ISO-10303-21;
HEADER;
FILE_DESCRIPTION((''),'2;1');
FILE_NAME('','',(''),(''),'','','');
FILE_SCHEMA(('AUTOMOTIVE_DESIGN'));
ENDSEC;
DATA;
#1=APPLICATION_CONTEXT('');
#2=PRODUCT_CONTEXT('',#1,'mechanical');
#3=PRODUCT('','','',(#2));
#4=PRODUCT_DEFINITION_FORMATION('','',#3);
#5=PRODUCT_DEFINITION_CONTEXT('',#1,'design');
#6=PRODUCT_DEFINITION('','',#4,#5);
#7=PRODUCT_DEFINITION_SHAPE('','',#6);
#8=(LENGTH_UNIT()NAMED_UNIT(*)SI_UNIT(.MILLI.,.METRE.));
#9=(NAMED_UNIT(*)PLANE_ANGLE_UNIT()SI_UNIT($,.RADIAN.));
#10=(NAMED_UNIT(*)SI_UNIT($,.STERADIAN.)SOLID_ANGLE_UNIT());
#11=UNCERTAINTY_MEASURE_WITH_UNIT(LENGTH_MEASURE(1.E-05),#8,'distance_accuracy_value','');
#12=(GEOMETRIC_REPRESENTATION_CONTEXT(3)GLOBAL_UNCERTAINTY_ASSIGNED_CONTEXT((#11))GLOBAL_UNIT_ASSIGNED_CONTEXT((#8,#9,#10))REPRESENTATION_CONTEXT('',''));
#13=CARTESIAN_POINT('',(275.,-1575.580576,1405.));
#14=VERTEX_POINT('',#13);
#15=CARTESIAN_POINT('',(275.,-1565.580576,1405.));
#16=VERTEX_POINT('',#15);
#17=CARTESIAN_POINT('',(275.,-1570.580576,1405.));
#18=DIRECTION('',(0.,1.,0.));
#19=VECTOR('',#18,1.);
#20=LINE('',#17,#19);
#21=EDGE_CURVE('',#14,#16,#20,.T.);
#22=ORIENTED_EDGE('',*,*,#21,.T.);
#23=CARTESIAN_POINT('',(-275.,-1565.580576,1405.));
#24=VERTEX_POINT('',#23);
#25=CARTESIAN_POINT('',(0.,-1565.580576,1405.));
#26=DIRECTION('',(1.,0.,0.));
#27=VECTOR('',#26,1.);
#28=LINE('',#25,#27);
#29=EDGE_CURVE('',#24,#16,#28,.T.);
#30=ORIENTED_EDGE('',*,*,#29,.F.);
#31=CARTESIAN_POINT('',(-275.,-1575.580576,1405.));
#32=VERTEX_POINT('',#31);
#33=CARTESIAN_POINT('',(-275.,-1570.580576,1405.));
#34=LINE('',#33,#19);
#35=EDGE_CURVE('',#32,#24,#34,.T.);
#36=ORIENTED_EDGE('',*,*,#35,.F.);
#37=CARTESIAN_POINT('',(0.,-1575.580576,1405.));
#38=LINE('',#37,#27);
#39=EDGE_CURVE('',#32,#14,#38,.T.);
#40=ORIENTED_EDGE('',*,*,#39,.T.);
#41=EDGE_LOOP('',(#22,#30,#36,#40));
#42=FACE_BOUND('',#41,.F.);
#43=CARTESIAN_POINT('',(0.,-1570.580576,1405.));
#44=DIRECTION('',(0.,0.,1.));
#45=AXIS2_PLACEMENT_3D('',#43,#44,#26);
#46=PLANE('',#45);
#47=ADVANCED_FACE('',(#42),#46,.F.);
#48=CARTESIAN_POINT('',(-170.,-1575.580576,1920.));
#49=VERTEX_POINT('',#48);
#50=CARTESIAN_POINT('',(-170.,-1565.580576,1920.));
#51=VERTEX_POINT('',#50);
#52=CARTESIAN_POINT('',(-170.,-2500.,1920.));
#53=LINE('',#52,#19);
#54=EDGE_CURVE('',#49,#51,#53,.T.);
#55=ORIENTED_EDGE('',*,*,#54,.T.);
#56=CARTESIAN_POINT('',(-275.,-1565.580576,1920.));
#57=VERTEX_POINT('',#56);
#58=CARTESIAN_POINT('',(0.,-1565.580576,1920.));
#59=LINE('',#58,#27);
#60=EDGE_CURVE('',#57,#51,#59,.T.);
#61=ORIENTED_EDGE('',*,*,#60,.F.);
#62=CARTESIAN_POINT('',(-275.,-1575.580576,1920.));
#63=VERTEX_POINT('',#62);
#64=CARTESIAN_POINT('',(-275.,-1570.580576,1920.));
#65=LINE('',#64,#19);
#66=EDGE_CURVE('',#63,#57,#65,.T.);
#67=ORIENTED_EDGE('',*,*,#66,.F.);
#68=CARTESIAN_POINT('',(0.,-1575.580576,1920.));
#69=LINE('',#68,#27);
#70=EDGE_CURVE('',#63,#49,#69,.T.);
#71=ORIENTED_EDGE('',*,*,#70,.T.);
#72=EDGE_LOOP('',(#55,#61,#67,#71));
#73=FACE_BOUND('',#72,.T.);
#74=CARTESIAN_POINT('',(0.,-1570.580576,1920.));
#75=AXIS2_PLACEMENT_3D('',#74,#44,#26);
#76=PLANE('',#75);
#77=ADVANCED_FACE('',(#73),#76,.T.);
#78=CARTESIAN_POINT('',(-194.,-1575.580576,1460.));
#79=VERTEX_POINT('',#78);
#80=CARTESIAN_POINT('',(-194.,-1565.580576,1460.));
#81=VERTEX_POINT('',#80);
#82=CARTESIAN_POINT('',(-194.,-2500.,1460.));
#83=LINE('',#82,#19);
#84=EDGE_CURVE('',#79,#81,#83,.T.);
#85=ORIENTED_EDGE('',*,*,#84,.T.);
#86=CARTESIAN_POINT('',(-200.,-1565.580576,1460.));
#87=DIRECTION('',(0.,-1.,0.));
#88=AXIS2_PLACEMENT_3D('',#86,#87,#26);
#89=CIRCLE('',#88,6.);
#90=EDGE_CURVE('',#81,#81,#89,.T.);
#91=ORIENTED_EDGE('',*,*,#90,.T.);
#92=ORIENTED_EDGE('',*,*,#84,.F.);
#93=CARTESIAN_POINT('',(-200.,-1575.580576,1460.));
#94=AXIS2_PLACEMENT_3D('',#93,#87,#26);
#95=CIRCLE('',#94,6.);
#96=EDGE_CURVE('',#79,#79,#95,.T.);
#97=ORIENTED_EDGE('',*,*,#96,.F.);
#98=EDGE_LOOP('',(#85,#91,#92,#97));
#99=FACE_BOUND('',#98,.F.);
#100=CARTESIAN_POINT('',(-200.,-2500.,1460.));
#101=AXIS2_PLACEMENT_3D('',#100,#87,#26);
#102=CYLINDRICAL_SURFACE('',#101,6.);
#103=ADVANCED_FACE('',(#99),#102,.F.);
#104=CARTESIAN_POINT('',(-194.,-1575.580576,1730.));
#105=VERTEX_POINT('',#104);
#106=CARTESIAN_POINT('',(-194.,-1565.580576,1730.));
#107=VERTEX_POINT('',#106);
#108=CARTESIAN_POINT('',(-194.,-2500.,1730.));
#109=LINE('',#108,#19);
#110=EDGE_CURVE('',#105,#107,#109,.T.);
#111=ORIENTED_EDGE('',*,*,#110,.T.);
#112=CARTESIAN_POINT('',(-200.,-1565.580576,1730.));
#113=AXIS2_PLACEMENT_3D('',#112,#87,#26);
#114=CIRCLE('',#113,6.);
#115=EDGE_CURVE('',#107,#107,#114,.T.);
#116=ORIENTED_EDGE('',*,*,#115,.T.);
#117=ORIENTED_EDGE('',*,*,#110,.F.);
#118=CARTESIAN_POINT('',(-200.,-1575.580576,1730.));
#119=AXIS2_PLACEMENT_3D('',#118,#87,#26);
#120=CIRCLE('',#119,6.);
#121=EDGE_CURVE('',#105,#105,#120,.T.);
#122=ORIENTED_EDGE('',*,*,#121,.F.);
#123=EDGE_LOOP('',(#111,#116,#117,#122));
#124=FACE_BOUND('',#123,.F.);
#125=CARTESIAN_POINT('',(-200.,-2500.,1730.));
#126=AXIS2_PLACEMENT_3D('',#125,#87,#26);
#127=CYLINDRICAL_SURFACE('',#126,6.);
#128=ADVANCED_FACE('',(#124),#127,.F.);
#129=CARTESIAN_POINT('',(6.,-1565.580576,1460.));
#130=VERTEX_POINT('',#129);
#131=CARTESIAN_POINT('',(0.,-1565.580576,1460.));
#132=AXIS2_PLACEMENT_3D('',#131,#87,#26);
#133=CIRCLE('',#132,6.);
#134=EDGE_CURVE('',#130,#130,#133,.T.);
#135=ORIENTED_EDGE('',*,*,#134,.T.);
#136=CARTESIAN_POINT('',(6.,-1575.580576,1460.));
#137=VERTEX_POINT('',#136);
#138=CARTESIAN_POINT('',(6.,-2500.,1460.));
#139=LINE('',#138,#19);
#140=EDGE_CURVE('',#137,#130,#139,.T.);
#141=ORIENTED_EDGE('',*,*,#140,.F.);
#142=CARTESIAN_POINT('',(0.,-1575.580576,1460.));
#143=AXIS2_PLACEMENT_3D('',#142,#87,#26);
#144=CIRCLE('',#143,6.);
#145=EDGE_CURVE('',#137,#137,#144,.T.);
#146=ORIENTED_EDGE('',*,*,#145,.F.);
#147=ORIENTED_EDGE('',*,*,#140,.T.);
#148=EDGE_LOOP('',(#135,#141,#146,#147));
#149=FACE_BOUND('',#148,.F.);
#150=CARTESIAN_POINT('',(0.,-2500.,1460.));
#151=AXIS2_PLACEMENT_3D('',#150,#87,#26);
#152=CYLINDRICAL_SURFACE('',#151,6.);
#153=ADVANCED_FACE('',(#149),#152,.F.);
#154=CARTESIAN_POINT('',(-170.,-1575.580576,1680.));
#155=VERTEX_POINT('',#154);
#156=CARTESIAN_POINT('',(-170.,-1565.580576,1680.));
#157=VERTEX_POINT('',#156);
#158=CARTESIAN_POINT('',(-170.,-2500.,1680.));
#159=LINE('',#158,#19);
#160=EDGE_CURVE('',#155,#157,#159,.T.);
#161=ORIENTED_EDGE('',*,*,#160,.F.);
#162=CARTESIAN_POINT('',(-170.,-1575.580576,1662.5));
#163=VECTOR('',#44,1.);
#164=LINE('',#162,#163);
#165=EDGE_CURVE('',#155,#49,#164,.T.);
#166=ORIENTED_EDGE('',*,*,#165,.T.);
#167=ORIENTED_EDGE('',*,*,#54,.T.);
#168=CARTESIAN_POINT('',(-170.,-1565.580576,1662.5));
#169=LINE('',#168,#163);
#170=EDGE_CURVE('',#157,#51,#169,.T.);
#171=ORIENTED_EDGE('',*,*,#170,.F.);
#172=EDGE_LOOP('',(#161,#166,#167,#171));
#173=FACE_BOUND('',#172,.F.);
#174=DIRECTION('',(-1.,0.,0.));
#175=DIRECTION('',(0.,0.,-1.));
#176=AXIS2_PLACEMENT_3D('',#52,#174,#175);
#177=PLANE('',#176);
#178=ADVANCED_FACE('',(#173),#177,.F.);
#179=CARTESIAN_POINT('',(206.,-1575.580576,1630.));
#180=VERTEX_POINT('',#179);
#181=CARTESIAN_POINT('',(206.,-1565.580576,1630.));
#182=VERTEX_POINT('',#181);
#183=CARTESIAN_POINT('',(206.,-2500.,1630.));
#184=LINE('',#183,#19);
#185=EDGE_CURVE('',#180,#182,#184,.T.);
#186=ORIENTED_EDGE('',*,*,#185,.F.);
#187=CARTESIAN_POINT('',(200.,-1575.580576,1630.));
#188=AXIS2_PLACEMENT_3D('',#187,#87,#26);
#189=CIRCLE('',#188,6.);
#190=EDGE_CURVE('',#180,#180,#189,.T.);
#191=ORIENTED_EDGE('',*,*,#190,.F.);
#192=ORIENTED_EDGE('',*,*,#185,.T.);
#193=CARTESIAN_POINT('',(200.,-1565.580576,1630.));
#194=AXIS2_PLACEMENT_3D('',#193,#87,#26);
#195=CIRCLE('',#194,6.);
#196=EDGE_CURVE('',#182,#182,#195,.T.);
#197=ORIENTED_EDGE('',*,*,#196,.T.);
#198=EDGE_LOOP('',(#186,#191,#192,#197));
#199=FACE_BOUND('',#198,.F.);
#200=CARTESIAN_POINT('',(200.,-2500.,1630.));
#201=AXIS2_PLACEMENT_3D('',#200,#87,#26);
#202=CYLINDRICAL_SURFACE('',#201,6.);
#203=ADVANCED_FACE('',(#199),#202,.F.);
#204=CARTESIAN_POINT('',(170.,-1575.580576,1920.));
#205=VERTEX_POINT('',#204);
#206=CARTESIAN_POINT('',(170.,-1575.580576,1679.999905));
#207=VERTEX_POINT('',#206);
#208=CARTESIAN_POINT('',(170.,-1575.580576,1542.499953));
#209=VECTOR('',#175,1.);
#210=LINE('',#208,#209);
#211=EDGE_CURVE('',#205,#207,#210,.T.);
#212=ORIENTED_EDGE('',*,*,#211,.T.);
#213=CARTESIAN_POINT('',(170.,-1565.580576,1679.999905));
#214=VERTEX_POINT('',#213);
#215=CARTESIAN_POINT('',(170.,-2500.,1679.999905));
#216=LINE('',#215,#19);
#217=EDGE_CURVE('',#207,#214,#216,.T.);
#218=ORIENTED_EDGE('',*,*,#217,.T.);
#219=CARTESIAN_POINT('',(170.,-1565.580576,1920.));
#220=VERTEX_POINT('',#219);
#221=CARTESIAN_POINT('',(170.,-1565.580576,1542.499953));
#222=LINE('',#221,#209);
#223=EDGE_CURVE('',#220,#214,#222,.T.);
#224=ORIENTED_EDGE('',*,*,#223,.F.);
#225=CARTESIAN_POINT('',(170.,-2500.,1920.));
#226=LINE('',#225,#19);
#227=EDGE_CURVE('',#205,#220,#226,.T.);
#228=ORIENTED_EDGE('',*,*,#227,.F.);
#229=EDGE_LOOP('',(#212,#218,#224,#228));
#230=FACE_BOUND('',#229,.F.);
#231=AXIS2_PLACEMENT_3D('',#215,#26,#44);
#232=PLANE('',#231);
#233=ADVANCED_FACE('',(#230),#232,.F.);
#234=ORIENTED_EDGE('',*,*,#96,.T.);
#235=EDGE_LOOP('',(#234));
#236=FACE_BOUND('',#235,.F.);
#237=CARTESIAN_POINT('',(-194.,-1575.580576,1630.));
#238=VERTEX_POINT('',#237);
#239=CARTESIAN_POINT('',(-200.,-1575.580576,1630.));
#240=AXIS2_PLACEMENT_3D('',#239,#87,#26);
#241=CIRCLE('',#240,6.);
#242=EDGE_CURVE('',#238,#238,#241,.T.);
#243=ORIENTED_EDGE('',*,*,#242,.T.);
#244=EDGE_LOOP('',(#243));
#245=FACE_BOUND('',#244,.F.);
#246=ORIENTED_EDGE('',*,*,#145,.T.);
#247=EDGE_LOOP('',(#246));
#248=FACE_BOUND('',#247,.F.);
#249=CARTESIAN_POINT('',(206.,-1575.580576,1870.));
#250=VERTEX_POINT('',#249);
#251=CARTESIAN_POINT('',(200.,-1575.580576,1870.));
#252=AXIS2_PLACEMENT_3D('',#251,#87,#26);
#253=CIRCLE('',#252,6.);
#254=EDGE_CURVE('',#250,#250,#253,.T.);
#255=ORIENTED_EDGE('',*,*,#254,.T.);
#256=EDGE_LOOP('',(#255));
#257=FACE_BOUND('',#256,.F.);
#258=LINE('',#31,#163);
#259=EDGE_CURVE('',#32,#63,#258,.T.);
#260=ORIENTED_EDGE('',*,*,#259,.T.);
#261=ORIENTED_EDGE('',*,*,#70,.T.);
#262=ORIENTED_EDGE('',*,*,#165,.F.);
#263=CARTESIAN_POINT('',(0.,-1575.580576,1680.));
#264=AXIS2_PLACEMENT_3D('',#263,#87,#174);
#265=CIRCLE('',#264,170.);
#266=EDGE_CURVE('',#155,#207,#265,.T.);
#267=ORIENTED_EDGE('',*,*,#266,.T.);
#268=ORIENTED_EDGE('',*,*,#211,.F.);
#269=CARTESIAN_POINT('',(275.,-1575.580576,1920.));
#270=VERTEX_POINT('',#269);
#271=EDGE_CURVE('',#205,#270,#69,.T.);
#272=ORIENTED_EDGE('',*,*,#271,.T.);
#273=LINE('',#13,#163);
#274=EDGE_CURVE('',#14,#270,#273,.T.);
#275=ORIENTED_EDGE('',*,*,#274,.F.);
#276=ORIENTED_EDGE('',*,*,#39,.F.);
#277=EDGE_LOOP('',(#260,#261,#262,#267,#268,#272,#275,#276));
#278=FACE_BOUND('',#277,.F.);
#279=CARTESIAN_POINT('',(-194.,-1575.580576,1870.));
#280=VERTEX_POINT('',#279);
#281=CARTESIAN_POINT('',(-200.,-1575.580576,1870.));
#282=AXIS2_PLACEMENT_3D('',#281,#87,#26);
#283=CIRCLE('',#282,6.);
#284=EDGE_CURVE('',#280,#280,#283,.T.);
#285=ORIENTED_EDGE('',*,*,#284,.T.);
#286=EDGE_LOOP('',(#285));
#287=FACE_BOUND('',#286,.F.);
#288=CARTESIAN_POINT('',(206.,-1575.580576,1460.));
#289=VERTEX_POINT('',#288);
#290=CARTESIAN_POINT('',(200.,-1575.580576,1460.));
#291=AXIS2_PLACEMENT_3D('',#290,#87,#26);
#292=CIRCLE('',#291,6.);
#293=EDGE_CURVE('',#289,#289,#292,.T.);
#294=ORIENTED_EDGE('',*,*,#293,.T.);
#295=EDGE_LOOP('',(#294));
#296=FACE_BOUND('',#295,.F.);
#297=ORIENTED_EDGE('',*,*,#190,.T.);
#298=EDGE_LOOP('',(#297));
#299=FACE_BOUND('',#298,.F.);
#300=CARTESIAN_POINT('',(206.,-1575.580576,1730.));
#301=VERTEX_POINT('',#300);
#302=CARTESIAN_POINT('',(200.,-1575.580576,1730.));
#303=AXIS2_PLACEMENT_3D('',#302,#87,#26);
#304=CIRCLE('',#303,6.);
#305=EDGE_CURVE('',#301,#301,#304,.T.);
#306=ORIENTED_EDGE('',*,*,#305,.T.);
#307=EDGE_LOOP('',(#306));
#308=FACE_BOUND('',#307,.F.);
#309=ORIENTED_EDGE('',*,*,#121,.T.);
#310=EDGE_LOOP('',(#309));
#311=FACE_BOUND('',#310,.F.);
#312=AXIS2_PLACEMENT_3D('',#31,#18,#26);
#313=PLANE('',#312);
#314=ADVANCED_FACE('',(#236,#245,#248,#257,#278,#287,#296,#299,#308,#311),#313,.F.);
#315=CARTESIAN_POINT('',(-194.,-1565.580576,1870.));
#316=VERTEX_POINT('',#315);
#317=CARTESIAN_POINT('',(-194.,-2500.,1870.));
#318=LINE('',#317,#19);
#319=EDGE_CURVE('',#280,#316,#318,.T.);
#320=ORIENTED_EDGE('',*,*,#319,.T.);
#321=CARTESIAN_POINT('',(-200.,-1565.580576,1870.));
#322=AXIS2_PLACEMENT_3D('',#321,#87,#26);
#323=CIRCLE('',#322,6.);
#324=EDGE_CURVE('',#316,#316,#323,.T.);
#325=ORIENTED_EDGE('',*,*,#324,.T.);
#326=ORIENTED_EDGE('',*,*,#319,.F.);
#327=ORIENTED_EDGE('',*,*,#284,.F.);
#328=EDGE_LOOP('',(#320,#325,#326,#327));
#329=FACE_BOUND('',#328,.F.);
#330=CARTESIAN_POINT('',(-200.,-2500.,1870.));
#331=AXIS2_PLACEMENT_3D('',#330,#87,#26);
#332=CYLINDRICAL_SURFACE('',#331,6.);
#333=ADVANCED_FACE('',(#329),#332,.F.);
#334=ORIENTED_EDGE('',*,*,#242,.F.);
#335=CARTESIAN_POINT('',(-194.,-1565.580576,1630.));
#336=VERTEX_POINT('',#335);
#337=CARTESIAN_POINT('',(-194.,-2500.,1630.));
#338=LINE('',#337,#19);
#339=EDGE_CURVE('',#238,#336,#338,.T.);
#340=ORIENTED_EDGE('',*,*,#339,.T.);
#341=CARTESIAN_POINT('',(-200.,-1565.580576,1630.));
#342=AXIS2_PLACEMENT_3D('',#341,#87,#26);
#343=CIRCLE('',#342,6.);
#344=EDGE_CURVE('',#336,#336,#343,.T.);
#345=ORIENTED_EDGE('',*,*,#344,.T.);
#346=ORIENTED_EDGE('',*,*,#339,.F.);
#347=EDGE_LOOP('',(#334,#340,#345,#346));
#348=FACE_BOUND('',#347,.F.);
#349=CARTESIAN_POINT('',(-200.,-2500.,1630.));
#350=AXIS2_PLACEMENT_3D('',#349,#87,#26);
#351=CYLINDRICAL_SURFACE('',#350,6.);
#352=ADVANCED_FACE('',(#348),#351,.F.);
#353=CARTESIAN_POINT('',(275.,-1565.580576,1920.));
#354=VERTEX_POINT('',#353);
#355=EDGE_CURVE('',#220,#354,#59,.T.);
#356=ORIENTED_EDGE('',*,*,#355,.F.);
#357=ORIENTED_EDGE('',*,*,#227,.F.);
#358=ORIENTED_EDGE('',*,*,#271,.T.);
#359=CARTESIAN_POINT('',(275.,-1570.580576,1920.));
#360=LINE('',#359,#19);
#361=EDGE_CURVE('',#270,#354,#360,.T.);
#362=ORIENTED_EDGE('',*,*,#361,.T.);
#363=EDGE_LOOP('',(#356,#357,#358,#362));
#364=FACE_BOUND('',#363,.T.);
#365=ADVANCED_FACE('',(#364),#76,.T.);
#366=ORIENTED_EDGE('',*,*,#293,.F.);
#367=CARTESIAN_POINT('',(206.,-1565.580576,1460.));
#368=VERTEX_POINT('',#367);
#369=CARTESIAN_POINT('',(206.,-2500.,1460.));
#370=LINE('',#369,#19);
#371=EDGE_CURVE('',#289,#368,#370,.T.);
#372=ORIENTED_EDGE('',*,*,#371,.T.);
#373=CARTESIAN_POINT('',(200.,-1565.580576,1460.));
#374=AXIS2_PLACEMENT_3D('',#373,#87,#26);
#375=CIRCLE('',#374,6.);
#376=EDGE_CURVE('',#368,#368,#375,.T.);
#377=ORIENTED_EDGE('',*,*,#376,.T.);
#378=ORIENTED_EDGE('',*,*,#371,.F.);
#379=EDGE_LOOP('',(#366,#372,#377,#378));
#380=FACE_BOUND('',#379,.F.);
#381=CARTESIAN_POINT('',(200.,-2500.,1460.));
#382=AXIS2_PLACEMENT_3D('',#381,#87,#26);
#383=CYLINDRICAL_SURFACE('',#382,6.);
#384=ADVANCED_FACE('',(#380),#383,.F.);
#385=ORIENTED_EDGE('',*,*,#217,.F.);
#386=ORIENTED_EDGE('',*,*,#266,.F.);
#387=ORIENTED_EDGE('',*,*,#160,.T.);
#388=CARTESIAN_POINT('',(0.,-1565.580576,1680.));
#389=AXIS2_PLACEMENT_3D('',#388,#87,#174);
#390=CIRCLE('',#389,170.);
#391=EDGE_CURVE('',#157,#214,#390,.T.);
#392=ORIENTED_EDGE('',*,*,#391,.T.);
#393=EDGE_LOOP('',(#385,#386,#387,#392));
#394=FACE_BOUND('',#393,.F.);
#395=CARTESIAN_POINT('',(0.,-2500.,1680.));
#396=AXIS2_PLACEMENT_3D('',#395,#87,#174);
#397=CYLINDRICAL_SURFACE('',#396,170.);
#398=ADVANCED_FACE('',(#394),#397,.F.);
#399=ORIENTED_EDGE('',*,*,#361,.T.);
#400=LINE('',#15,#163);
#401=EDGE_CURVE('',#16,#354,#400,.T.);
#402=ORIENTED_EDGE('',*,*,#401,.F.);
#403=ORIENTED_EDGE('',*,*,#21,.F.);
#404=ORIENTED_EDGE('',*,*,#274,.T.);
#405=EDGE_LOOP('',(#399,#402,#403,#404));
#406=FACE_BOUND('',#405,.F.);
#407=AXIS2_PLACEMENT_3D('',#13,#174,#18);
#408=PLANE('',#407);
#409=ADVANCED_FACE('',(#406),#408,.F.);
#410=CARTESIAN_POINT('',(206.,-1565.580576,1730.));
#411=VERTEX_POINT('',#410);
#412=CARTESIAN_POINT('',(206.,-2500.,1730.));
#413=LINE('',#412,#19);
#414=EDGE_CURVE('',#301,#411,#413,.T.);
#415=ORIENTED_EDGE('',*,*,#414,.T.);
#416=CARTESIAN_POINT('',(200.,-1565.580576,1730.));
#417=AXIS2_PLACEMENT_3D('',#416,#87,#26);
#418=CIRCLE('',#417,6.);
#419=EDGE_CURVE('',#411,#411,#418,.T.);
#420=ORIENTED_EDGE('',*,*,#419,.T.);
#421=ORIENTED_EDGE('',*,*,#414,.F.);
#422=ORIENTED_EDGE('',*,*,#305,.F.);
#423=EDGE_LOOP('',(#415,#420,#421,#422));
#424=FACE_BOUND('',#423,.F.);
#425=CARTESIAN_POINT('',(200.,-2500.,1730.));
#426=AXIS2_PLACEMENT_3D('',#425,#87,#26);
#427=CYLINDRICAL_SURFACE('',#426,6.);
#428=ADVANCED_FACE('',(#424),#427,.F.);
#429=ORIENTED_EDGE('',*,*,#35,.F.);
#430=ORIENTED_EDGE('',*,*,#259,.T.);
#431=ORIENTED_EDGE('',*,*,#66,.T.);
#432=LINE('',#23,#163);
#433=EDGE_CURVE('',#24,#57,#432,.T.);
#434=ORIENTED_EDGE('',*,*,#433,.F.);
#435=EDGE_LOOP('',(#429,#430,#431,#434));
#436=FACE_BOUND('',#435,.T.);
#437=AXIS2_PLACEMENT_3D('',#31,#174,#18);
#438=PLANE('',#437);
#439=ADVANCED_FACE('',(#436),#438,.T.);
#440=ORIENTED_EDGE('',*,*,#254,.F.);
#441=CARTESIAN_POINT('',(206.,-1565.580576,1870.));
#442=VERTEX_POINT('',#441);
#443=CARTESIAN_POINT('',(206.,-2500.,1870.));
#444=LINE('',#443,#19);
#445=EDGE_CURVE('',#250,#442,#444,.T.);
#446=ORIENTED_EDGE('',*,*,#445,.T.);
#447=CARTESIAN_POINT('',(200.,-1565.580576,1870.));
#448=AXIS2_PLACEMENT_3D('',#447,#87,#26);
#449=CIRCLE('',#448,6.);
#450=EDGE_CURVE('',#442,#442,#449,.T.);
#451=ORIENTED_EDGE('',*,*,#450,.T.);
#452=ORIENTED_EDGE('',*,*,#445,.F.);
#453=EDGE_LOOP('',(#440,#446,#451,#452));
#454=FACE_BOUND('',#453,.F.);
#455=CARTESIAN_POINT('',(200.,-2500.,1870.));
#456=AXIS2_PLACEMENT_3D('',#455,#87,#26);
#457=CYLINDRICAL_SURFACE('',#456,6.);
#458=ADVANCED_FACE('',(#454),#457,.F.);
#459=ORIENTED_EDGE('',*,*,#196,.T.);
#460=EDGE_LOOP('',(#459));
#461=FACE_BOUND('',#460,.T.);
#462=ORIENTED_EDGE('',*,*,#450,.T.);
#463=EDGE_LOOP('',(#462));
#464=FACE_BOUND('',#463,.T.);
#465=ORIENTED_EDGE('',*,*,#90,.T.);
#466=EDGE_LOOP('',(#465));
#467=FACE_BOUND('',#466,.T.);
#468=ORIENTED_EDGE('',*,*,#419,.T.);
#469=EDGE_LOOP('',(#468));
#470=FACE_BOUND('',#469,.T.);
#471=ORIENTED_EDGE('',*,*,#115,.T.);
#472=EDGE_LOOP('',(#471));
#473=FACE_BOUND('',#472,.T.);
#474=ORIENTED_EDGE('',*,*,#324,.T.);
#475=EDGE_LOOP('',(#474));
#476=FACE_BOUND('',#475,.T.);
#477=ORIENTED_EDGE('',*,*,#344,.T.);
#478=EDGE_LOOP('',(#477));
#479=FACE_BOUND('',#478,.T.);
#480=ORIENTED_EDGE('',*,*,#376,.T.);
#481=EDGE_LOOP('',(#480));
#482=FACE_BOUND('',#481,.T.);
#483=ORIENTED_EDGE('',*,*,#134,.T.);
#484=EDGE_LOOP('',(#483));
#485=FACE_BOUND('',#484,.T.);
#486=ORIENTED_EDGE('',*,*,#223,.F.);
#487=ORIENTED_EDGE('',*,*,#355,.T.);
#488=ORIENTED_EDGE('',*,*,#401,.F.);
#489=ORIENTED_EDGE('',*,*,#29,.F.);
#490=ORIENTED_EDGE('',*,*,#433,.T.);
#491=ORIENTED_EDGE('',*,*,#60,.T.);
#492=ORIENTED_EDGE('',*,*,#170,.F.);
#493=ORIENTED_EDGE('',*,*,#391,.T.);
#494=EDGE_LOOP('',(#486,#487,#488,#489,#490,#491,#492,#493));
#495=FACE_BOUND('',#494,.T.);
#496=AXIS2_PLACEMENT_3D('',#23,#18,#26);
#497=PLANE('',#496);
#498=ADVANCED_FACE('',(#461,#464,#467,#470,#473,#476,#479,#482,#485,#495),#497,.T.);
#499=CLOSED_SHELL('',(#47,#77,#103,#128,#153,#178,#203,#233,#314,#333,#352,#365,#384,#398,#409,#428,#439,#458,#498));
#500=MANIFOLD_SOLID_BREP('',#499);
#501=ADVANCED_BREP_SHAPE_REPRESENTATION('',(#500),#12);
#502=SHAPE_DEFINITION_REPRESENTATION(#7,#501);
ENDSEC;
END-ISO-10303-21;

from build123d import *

# Parameters (mm, degrees)
SKETCH005_R      = 6
EXTRUDE004_DEPTH = 1000
EXTRUDE003_DEPTH = 1000
SKETCH003_W      = 550
SKETCH003_H      = 10
EXTRUDE002_DEPTH = 515


with BuildPart() as extrude004:
    # Sketch005 → Extrude004 (new body)
    with BuildSketch(Plane.XZ.offset(2500)):
        with Locations((-200, 1730)):
            Circle(SKETCH005_R)
        with Locations((-200, 1870)):
            Circle(SKETCH005_R)
        with Locations((200, 1870)):
            Circle(SKETCH005_R)
        with Locations((200, 1730)):
            Circle(SKETCH005_R)
        with Locations((-200, 1630)):
            Circle(SKETCH005_R)
        with Locations((-200, 1460)):
            Circle(SKETCH005_R)
        with Locations((200, 1630)):
            Circle(SKETCH005_R)
        with Locations((200, 1460)):
            Circle(SKETCH005_R)
        with Locations((0, 1460)):
            Circle(SKETCH005_R)
    extrude(amount=-EXTRUDE004_DEPTH)


with BuildPart() as extrude003:
    # Sketch004 → Extrude003 (new body)
    with BuildSketch(Plane.XZ.offset(2500)):
        with BuildLine():
            Line((-170, 1920), (-170, 1680))
            ThreePointArc((-170, 1680), (-4.8e-05, 1510), (170, 1679.999905))
            Line((170, 1679.999905), (170, 1920))
            Line((170, 1920), (-170, 1920))
        make_face()
    extrude(amount=-EXTRUDE003_DEPTH)


with BuildPart() as cut002:
    # Sketch003 → Extrude002 (new body)
    with BuildSketch(Plane.XY.offset(1405)):
        with Locations((0, -1570.580576)):
            Rectangle(SKETCH003_W, SKETCH003_H)
    extrude(amount=EXTRUDE002_DEPTH)

    # Cut001: cut Extrude003
    add(extrude003.part, mode=Mode.SUBTRACT)

    # Cut002: cut Extrude004
    add(extrude004.part, mode=Mode.SUBTRACT)


solid = cut002.part
